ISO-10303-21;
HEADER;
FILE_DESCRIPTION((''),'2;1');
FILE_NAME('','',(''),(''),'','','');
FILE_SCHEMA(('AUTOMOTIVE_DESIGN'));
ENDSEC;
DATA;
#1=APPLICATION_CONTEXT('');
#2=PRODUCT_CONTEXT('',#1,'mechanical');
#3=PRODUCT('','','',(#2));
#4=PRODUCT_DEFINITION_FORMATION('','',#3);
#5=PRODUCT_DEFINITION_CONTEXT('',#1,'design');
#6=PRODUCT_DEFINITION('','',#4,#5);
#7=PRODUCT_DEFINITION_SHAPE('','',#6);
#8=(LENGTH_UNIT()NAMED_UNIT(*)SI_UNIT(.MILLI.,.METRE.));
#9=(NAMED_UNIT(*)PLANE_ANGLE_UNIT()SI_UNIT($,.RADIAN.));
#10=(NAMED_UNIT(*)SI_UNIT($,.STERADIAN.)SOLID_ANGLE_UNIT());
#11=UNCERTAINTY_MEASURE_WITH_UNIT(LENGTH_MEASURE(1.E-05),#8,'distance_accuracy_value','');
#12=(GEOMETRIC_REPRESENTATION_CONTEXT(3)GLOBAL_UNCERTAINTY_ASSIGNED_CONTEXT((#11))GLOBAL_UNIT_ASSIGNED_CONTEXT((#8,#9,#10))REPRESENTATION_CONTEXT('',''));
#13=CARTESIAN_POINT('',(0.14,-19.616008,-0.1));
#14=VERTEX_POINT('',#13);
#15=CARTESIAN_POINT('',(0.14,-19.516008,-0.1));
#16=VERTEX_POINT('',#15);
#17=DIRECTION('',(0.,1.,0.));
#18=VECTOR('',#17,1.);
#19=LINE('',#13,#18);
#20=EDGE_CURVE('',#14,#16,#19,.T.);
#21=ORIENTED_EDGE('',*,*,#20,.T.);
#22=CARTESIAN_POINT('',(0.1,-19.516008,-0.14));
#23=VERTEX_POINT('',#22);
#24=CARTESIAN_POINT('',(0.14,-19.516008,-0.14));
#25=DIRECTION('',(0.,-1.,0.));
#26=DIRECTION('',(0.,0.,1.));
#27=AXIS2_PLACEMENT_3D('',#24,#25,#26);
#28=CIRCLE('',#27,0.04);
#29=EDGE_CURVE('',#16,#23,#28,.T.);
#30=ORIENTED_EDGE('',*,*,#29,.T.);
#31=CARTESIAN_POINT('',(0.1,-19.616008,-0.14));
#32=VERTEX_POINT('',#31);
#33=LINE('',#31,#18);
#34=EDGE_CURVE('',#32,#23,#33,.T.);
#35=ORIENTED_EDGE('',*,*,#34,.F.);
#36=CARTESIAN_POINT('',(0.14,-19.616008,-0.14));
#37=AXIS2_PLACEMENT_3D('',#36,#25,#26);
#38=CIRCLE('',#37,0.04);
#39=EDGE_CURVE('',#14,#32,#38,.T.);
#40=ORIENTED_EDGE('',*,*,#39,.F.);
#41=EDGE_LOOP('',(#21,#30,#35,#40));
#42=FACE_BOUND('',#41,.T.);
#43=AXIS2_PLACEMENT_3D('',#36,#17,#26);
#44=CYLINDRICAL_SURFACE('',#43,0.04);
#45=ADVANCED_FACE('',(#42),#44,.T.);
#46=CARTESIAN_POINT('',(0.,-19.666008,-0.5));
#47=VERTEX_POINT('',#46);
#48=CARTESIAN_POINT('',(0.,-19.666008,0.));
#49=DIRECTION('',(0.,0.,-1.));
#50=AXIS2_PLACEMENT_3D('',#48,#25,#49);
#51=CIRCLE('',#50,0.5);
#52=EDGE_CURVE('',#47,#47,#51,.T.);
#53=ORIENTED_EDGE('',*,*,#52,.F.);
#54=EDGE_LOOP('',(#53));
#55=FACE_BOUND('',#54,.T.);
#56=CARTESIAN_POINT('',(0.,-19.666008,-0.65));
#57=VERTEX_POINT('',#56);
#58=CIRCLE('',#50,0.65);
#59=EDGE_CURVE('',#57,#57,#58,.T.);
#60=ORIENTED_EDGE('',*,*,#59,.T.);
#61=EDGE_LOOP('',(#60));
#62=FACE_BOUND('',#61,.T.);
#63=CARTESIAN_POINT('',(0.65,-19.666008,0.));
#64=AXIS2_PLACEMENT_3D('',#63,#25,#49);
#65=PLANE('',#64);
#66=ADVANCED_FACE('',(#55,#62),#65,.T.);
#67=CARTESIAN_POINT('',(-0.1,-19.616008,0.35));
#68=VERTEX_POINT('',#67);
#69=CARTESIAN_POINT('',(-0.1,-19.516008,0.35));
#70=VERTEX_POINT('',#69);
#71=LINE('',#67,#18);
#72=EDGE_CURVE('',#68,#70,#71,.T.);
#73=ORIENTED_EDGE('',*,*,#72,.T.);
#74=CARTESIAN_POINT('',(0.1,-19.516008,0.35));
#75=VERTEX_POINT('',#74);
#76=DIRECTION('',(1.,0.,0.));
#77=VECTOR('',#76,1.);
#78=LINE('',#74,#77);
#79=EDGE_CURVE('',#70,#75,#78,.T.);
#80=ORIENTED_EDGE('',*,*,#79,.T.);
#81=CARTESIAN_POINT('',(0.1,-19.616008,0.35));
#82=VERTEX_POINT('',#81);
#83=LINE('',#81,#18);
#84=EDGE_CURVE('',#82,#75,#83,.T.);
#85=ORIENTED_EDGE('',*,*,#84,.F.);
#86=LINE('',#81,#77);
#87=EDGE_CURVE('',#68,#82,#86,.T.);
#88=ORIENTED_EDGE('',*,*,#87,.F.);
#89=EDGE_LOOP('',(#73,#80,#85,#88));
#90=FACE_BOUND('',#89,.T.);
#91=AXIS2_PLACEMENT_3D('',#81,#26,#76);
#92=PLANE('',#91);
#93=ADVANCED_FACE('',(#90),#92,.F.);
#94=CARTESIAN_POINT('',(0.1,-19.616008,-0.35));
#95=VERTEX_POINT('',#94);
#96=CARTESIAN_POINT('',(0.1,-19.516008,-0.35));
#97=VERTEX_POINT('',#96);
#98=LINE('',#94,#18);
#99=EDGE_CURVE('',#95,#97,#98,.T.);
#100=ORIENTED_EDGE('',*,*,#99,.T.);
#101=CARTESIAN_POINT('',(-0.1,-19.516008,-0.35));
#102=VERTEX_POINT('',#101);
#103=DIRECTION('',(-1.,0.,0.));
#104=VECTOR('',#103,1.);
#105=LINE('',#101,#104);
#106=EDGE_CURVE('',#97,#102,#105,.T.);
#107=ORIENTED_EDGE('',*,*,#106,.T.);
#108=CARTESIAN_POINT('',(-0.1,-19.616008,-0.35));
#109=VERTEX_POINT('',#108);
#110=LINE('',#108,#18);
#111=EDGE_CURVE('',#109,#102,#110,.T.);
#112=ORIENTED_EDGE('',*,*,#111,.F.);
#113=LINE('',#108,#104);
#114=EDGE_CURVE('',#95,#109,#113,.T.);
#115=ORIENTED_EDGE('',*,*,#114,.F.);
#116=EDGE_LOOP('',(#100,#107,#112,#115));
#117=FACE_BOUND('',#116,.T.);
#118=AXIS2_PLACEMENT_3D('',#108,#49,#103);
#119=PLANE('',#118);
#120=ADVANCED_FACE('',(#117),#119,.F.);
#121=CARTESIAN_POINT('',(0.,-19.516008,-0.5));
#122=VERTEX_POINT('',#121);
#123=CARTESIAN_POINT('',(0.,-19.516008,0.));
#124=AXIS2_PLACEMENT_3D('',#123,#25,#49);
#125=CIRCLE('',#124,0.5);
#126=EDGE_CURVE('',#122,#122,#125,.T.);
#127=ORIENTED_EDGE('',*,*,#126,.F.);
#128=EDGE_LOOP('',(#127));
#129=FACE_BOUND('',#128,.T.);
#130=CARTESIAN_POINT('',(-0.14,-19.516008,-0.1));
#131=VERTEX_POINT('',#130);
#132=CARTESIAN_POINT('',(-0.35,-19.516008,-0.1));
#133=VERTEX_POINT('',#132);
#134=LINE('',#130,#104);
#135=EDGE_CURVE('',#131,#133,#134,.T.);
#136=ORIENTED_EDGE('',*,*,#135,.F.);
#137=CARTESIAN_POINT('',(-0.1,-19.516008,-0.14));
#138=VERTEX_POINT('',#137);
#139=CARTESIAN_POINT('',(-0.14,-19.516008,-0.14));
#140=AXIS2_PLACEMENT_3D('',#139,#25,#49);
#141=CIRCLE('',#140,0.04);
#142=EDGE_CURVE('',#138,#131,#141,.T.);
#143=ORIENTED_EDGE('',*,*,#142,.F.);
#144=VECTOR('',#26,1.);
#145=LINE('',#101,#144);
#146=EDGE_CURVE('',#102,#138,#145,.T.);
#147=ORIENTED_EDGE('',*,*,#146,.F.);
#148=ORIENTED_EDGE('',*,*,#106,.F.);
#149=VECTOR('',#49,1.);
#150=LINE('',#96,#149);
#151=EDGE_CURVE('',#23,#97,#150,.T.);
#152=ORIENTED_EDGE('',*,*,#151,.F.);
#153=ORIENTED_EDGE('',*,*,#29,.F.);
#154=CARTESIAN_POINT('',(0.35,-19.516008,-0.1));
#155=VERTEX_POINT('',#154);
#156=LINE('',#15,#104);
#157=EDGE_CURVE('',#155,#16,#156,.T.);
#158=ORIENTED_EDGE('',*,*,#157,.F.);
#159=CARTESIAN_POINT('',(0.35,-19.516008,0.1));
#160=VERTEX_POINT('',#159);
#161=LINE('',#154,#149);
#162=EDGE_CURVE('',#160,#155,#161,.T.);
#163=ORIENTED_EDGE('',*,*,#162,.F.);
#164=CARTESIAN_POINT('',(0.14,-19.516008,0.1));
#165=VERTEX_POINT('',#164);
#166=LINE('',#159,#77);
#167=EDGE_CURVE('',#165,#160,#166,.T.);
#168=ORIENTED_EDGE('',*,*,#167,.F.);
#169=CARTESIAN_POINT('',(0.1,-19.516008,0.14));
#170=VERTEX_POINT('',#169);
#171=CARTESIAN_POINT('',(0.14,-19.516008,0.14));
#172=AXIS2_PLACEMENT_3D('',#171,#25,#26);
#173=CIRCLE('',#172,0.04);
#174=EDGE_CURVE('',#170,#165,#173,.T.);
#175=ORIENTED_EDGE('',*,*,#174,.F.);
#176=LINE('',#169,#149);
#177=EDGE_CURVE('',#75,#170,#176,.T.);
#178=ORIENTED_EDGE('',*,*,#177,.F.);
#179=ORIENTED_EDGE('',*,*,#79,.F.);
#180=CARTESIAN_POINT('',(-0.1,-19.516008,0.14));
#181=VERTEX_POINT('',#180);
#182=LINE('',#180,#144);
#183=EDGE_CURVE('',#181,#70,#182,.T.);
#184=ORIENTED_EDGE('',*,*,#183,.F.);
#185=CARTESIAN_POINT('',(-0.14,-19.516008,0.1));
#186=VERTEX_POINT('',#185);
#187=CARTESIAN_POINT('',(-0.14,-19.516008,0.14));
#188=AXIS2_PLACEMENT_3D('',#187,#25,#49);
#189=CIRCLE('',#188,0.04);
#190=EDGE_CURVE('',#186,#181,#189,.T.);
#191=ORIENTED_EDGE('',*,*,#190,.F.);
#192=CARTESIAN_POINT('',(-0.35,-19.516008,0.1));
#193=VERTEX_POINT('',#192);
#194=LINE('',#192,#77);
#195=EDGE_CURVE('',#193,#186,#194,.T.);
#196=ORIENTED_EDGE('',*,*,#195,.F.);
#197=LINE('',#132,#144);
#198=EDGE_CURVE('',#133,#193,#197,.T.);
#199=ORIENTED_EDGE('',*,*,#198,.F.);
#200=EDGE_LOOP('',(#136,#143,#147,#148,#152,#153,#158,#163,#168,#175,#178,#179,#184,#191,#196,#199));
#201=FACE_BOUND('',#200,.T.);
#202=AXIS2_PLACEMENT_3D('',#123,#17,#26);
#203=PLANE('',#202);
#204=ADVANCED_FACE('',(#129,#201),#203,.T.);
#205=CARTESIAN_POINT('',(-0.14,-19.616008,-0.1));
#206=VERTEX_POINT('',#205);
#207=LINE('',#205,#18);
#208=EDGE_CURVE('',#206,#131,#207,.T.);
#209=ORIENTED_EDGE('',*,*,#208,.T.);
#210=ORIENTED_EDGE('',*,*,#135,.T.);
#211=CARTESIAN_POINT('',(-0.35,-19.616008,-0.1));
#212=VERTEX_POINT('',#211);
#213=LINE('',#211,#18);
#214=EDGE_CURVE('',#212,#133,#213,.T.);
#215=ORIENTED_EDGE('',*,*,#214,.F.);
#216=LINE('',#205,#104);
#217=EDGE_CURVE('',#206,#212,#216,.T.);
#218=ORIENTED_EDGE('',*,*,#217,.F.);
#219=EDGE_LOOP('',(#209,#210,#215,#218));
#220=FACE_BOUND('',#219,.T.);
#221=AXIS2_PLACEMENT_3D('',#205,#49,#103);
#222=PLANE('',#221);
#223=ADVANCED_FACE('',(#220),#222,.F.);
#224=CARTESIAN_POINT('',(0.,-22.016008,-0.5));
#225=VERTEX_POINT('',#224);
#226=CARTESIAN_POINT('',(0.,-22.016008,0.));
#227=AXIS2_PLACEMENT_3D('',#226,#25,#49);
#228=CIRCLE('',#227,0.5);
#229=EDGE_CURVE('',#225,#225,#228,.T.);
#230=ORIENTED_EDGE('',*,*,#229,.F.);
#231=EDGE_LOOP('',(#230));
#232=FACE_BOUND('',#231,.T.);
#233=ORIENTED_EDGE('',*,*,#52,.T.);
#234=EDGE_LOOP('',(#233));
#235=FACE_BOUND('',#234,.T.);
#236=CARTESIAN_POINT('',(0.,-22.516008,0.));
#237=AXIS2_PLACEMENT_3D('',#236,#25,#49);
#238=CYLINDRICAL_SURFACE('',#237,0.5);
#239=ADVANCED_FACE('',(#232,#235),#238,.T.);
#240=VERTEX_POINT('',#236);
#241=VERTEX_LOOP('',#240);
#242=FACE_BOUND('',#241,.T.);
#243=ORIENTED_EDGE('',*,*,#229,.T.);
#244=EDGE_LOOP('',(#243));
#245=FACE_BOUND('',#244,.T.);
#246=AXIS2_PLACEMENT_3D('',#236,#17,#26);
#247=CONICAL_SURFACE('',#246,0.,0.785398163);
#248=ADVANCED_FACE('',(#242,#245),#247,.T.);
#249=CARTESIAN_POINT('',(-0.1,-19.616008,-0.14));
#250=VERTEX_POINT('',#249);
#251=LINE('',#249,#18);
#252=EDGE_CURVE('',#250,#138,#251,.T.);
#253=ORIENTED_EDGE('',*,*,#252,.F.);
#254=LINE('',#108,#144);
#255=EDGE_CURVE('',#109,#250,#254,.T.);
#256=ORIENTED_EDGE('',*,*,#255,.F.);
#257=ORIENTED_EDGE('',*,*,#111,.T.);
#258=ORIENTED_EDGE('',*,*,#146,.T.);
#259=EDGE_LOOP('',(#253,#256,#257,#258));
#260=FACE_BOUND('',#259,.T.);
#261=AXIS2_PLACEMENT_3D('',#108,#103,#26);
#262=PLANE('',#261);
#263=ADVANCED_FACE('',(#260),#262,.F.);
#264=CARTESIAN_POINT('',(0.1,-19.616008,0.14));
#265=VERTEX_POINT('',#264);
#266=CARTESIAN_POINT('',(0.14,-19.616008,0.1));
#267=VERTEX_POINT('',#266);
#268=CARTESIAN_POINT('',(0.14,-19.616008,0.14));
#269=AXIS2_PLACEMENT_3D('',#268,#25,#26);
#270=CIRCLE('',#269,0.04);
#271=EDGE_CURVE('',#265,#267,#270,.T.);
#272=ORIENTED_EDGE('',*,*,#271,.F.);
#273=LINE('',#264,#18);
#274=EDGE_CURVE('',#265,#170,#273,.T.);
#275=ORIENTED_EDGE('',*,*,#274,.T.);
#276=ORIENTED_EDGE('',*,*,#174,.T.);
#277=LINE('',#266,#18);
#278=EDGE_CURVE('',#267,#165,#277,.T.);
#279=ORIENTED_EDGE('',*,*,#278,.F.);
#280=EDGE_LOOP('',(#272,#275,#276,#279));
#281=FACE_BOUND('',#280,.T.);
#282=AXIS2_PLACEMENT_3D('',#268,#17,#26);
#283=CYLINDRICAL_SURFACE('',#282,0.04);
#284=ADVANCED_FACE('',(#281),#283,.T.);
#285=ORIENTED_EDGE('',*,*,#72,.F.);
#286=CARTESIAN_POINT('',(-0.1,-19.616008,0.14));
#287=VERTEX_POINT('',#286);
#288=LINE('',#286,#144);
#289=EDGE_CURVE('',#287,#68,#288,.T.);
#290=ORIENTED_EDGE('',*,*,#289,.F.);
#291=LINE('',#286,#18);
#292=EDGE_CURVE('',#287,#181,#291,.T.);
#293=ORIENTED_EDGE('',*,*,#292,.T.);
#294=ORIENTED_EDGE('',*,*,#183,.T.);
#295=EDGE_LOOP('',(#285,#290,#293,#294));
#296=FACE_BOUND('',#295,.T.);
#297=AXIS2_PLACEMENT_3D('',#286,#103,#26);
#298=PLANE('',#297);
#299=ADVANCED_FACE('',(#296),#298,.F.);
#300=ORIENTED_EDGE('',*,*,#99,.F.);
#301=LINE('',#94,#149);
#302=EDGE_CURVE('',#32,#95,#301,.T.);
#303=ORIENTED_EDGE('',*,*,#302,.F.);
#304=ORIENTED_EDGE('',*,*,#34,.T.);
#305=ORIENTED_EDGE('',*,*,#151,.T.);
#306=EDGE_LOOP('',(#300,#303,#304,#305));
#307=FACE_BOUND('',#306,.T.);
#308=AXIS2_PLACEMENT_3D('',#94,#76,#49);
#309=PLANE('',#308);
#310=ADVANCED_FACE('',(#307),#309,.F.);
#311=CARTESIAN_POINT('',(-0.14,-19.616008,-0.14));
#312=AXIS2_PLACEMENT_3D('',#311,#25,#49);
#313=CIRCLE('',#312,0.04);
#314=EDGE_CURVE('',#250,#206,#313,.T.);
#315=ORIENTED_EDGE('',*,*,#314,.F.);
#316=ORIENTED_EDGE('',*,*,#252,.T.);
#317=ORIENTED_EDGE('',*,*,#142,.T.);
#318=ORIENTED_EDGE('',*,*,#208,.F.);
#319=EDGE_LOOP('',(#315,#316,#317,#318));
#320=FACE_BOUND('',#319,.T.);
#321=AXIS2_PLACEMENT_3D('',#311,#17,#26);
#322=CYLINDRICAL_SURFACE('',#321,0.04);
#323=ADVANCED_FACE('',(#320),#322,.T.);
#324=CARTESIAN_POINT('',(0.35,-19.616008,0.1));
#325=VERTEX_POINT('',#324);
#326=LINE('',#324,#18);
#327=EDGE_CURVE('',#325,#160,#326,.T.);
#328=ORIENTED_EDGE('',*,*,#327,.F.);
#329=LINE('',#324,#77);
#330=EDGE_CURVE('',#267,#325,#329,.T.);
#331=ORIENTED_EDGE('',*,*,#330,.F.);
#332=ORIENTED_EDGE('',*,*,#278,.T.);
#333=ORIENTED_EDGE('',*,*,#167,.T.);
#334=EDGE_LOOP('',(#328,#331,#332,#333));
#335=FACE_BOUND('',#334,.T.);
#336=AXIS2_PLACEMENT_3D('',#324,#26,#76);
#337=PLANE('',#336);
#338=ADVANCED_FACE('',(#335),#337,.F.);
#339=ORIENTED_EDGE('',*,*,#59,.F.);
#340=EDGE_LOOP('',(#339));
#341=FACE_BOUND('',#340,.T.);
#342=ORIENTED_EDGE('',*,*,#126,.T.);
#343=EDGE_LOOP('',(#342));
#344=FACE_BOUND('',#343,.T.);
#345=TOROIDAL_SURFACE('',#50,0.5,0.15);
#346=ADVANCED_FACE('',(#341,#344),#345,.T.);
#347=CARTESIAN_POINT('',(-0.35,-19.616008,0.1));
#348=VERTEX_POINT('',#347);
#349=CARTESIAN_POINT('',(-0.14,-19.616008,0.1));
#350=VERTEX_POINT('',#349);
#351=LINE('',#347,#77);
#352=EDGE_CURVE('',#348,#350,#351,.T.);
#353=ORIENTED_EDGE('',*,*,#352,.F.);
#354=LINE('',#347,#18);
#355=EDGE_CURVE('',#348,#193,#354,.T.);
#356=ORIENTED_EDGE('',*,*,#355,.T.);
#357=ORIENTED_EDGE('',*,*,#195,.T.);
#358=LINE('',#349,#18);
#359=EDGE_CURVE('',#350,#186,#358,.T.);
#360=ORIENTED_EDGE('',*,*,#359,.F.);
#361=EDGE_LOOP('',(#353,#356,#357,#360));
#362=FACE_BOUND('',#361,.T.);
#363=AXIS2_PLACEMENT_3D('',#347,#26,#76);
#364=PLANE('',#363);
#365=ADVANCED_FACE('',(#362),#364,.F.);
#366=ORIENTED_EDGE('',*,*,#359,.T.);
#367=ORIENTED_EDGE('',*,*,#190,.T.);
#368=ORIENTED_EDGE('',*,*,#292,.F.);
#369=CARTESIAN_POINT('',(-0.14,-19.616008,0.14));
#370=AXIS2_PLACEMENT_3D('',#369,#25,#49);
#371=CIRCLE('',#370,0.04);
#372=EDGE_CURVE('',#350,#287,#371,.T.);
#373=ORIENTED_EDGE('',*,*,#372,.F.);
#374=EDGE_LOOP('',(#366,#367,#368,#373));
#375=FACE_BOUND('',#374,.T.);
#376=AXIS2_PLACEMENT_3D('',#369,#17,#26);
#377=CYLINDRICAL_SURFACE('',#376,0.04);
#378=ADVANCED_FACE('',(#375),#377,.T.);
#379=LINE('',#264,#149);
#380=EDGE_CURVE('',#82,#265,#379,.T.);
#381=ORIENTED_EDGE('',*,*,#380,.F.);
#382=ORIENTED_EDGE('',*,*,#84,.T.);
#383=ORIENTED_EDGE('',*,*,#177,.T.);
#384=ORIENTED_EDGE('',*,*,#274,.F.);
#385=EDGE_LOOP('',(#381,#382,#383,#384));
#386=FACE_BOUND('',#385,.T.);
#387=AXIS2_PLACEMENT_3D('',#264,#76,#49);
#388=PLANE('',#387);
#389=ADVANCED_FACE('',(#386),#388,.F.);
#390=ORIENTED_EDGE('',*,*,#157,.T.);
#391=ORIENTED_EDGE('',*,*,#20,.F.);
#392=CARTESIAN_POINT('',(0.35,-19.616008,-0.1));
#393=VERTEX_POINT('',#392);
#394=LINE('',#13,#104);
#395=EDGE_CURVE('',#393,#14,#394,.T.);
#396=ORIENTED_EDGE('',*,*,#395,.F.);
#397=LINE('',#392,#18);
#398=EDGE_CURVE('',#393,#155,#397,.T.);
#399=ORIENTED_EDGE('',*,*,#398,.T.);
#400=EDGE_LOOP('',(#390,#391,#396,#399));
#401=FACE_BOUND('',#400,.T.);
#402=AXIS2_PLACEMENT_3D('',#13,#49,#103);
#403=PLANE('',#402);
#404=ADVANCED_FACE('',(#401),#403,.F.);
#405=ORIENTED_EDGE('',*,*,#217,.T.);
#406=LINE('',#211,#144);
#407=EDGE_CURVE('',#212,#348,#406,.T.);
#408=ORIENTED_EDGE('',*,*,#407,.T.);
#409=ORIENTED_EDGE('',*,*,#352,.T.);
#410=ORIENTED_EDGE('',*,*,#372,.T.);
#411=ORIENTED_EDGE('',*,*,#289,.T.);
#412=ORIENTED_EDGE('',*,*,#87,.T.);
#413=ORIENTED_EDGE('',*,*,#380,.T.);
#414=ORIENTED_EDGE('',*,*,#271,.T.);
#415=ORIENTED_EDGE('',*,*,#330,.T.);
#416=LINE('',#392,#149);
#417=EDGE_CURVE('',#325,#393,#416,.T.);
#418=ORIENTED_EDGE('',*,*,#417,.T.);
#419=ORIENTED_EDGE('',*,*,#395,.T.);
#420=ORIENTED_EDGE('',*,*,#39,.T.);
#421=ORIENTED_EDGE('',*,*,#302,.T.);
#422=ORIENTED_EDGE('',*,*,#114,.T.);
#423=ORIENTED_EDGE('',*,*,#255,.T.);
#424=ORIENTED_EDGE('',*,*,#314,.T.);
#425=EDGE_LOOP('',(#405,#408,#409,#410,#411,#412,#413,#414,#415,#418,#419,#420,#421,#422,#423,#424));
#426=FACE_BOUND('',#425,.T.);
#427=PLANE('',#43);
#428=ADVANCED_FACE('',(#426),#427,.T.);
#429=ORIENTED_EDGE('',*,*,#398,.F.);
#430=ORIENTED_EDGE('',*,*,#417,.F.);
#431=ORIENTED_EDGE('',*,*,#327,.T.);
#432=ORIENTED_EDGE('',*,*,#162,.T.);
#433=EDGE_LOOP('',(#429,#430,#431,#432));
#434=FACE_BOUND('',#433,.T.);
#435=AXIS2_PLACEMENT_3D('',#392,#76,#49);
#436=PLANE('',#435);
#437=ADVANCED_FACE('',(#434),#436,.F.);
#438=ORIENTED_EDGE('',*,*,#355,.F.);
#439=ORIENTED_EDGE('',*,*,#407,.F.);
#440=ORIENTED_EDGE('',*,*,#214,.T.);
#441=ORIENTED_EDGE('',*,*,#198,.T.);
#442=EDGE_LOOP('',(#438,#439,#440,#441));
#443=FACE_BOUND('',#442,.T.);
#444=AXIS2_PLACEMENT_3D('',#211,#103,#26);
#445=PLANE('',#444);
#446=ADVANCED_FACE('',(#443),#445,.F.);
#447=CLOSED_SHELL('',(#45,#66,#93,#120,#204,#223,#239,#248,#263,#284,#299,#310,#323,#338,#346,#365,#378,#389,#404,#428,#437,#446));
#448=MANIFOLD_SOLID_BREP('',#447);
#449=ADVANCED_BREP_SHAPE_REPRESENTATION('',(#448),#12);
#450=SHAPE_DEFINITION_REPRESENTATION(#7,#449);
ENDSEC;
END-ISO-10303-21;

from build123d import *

# Parameters (mm, degrees)
CUT_EXTRUDE1_DEPTH = 0.1


with BuildPart() as part:
    # Sketch1 → Revolve1 (revolve)
    with BuildSketch(Plane.XY):
        with BuildLine():
            Line((0, -19.516007696), (0.5, -19.516007696))
            ThreePointArc((0.5, -19.516007696), (0.606066017, -19.559941679), (0.65, -19.666007696))
            Line((0.65, -19.666007696), (0.5, -19.666007696))
            Line((0.5, -19.666007696), (0.5, -19.816007696))
            Line((0.5, -19.816007696), (0.5, -22.016007696))
            Line((0.5, -22.016007696), (0, -22.516007696))
            Line((0, -22.516007696), (0, -19.516007696))
        make_face()
    revolve(axis=Axis((0, -22.516007696, 0), (0, 1, 0)))

    # Sketch2 → Cut-Extrude1 (cut)
    with BuildSketch(Plane(origin=(0, -19.516007696, 0), x_dir=(1, 0, 0), z_dir=(0, 1, 0))):
        with BuildLine():
            Line((-0.1, 0.35), (0.1, 0.35))
            Line((0.1, 0.35), (0.1, 0.14))
            ThreePointArc((0.1, 0.14), (0.111715729, 0.111715729), (0.14, 0.1))
            Line((0.14, 0.1), (0.35, 0.1))
            Line((0.35, 0.1), (0.35, -0.1))
            Line((0.35, -0.1), (0.14, -0.1))
            ThreePointArc((0.14, -0.1), (0.111715729, -0.111715729), (0.1, -0.14))
            Line((0.1, -0.14), (0.1, -0.35))
            Line((0.1, -0.35), (-0.1, -0.35))
            Line((-0.1, -0.35), (-0.1, -0.14))
            ThreePointArc((-0.1, -0.14), (-0.111715729, -0.111715729), (-0.14, -0.1))
            Line((-0.14, -0.1), (-0.35, -0.1))
            Line((-0.35, -0.1), (-0.35, 0.1))
            Line((-0.35, 0.1), (-0.14, 0.1))
            ThreePointArc((-0.14, 0.1), (-0.111715729, 0.111715729), (-0.1, 0.14))
            Line((-0.1, 0.14), (-0.1, 0.35))
        make_face()
    extrude(amount=-CUT_EXTRUDE1_DEPTH, mode=Mode.SUBTRACT)


solid = part.part
